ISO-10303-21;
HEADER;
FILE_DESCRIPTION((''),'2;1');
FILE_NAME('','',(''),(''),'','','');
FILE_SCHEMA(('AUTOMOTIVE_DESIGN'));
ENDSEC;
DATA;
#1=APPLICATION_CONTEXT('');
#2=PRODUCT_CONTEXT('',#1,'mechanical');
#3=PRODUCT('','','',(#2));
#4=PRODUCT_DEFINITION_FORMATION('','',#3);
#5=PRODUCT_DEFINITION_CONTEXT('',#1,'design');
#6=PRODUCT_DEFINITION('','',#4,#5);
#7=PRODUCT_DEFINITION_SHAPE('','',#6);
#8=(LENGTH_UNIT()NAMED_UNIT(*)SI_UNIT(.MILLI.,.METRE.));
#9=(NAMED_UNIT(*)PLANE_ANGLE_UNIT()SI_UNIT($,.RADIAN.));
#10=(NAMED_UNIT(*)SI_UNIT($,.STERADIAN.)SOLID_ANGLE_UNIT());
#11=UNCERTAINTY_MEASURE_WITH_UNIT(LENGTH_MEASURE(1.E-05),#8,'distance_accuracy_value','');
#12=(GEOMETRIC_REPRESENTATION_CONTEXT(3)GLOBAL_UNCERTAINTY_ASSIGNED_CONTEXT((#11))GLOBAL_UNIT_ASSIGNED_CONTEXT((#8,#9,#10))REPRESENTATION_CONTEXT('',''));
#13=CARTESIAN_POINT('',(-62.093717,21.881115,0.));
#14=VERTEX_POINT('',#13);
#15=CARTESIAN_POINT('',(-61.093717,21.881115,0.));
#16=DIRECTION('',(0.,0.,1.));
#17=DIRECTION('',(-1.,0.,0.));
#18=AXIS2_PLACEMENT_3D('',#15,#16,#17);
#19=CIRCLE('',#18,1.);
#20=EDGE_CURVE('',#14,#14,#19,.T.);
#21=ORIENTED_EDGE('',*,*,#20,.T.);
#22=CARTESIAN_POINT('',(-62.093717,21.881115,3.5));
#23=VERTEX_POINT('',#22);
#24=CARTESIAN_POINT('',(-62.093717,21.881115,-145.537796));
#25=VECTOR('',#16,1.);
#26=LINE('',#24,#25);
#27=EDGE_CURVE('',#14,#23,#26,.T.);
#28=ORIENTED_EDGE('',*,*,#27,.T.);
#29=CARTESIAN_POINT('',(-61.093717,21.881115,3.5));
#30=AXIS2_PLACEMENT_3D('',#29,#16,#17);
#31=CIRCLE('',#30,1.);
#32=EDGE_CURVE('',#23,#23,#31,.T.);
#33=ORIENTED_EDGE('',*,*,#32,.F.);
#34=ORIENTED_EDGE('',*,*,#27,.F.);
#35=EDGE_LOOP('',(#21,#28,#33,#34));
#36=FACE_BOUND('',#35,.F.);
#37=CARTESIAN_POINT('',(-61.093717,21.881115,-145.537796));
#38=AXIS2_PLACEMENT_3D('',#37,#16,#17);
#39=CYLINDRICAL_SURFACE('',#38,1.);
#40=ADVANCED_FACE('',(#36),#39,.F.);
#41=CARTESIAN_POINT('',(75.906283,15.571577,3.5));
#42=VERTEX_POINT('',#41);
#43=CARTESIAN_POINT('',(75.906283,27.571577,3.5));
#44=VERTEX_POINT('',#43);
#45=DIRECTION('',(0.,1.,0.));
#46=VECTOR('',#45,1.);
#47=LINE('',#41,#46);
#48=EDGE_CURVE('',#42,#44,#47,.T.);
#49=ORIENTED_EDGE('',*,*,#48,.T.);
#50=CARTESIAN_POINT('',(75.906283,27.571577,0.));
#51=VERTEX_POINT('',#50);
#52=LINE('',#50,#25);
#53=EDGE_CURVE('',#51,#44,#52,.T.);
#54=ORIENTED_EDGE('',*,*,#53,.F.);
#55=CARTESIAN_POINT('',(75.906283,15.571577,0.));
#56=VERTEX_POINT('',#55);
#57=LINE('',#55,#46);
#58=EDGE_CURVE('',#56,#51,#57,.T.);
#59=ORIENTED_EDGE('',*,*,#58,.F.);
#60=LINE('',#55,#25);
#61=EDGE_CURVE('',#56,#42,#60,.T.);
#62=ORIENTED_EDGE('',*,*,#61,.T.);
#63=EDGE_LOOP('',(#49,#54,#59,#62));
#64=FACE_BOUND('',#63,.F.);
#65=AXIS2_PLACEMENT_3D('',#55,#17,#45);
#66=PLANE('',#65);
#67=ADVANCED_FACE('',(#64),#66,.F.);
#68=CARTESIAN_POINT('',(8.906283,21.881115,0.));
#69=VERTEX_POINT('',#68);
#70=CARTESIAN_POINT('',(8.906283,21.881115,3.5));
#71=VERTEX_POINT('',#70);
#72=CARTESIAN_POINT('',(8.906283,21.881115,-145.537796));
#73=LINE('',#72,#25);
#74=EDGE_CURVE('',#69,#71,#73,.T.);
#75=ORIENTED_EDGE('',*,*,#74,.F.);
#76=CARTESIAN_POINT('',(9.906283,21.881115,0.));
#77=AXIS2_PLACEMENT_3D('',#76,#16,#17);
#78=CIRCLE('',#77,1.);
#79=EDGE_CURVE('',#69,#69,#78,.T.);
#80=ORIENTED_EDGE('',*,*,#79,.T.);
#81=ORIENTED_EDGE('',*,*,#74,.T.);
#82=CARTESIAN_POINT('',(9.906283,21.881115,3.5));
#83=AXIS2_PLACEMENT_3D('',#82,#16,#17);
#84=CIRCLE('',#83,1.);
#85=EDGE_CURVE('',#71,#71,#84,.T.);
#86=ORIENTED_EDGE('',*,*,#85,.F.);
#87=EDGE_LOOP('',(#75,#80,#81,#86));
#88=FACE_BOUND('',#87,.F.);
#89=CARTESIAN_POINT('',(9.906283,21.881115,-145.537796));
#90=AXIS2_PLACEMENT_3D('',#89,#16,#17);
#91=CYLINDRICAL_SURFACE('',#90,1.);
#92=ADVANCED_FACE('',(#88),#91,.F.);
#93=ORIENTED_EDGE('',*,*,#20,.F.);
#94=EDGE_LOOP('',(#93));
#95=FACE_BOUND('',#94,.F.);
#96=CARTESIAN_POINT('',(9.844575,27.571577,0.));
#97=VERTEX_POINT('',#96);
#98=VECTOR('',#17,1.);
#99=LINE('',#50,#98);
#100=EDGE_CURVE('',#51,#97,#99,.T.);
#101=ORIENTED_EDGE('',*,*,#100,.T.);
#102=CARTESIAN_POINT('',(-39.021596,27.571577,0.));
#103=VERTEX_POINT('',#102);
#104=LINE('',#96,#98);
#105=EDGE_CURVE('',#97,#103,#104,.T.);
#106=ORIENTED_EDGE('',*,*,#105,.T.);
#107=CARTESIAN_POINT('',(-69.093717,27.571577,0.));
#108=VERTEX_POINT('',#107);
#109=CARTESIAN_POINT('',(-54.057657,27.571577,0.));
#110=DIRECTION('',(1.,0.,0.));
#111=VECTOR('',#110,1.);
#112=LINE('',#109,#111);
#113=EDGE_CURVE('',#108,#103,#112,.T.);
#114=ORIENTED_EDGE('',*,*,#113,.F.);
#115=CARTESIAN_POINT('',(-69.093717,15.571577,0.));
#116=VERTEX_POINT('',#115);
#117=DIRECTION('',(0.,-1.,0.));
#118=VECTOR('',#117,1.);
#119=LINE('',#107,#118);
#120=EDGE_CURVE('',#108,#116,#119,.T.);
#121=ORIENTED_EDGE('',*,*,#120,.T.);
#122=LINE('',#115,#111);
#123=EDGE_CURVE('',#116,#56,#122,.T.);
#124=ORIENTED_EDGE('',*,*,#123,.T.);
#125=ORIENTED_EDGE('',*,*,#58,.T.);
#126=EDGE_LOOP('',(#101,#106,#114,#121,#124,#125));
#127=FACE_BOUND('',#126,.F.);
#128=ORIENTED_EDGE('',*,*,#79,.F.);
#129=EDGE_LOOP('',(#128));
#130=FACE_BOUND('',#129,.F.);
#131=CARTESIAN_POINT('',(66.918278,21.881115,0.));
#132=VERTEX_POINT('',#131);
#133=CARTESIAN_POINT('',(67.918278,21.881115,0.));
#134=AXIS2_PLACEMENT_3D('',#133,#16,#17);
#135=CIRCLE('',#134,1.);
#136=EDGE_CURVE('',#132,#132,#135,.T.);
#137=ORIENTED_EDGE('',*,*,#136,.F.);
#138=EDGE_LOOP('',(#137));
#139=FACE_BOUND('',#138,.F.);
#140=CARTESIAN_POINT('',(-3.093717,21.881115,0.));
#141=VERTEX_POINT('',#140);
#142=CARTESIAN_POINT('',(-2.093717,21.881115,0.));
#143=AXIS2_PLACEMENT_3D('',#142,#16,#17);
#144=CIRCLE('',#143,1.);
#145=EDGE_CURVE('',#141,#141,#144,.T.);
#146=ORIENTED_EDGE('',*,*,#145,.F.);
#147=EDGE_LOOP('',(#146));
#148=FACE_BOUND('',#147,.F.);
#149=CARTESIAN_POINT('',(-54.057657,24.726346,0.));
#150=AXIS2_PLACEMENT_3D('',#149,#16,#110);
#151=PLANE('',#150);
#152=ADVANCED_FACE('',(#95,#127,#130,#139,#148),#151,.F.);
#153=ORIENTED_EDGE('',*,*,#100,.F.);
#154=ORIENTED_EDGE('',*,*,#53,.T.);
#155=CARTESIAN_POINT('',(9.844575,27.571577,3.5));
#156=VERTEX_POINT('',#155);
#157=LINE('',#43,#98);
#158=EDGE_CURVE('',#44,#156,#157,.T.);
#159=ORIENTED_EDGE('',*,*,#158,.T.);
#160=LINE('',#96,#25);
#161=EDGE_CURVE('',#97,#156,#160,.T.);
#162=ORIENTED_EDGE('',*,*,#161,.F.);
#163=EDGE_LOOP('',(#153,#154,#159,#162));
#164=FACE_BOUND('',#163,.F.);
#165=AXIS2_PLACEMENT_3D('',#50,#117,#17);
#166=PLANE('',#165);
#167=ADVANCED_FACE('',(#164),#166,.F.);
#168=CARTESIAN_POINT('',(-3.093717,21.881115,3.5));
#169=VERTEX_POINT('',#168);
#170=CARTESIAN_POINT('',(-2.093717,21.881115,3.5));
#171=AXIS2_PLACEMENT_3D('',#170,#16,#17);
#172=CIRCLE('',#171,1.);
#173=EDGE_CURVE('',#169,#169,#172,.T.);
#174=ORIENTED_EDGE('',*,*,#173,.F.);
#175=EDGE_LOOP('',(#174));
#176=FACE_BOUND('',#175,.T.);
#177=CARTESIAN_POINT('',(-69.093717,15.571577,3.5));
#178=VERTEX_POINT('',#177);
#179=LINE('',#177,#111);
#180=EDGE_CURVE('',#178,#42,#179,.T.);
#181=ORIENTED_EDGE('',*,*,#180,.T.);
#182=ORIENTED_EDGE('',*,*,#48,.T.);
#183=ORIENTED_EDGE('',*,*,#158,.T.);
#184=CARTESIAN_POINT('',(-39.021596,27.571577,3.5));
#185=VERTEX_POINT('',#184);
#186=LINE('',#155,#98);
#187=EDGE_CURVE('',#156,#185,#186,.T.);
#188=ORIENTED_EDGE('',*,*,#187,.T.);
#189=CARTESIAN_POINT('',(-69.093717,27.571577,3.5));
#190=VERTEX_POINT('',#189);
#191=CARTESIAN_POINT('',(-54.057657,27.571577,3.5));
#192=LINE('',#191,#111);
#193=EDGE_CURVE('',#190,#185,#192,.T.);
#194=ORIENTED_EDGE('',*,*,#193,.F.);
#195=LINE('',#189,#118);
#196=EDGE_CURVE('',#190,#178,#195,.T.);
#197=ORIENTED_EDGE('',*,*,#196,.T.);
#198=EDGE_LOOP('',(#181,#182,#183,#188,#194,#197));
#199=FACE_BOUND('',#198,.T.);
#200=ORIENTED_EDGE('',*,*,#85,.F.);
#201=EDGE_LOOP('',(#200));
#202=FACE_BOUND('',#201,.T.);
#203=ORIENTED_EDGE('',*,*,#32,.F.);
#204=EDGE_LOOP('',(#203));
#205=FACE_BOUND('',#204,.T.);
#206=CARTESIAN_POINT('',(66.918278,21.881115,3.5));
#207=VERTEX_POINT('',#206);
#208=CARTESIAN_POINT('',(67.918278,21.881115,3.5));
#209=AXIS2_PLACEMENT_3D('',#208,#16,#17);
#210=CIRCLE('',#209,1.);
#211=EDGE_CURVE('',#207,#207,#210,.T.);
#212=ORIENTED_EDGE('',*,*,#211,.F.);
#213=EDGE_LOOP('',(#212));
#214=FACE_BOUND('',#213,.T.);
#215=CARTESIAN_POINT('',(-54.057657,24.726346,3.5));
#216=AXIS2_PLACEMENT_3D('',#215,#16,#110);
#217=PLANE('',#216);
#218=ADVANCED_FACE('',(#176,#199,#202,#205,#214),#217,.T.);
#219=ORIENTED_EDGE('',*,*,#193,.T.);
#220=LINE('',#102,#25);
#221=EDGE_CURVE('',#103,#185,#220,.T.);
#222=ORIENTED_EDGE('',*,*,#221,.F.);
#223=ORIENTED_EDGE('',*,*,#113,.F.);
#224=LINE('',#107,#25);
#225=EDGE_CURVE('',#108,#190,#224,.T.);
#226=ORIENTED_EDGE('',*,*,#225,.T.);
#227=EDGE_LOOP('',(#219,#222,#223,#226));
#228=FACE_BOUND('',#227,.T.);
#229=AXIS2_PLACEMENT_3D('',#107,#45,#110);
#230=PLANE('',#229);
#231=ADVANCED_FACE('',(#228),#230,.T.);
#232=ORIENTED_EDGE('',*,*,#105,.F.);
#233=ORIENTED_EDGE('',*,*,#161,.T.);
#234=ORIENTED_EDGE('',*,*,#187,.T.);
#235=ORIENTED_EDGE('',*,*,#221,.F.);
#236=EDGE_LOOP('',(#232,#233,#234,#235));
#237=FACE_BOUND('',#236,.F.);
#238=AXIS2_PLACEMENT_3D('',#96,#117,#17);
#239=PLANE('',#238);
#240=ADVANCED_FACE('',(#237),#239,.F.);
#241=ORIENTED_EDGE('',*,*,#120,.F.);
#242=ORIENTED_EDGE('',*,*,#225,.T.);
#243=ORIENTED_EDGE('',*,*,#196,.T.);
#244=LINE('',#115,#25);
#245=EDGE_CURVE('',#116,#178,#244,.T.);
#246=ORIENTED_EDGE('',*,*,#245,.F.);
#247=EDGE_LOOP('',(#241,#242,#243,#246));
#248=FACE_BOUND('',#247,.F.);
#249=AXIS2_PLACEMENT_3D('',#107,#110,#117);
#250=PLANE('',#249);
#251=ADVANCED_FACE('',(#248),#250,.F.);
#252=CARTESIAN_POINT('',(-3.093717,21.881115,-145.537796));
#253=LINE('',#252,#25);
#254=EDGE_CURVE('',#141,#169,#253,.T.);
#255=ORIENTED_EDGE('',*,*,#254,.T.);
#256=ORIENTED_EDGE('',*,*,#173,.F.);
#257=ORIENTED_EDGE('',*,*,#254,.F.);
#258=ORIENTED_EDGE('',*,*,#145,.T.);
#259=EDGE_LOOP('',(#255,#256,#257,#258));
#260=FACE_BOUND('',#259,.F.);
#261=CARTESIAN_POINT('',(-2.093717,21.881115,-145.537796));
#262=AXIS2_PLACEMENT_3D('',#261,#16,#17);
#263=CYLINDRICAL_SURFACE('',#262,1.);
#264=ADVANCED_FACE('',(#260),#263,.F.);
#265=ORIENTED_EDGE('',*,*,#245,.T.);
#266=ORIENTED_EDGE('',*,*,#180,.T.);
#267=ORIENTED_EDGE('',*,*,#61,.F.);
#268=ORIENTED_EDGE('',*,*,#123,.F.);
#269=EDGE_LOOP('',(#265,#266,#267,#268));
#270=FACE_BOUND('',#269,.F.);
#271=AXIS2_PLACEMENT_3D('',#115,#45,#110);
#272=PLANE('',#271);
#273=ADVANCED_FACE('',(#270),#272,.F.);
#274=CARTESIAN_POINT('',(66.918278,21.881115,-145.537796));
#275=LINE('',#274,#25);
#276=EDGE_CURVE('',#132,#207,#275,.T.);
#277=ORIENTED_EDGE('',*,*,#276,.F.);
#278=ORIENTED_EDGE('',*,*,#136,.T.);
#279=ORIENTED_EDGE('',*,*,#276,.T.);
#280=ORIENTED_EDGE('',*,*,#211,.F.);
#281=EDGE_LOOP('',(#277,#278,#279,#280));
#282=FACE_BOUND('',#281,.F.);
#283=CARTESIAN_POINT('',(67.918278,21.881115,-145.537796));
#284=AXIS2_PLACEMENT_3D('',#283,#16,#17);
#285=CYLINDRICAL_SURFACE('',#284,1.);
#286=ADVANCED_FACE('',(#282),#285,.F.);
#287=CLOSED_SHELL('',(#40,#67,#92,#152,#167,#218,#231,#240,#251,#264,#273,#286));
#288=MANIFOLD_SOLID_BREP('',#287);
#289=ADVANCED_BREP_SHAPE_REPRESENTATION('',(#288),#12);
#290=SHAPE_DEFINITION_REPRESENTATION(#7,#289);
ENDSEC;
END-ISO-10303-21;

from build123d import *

# Parameters (mm, degrees)
F0_W     = 30.0721211731
F0_H     = 5.6904614212
F1_DEPTH = 3.5
F2_D     = 2


with BuildPart() as f1:
    # F0 (on Top) → F1 (new body)
    with BuildSketch(Plane.XY):
        with Locations((-54.0576568991, 24.7263458325)):
            Rectangle(F0_W, F0_H)
        Polygon((-1.8833033973, 27.5715765432), (-39.0215963125, 27.5715765432), (-39.0215963125, 21.8811151219), (-39.0215963125, 15.5715765432), (-23.1951605529, 15.5715765432), (-15.0937174857, 15.5715765432), (-1.8833033973, 15.5715765432), (-1.8833033973, 21.8811151219), align=None)
        Polygon((-39.0215963125, 21.8811151219), (-69.0937174857, 21.8811151219), (-69.0937174857, 15.5715765432), (-54.0937174857, 15.5715765432), (-46.0937174857, 15.5715765432), (-39.0215963125, 15.5715765432), align=None)
        Polygon((9.8445750773, 27.5715765432), (-1.8833033973, 27.5715765432), (-1.8833033973, 21.8811151219), (9.8738370598, 21.8811151219), align=None)
        Polygon((59.9302730291, 27.5715765432), (9.8445750773, 27.5715765432), (9.8738370598, 21.8811151219), (9.9062825143, 15.5715765432), (21.8975301832, 15.5715765432), (29.9062825143, 15.5715765432), (52.8784766793, 15.5715765432), (59.9302730291, 15.5715765432), (59.9302730291, 21.8811151219), align=None)
        Polygon((9.8738370598, 21.8811151219), (-1.8833033973, 21.8811151219), (-1.8833033973, 15.5715765432), (9.9062825143, 15.5715765432), align=None)
        Polygon((72.6376026869, 27.5715765432), (59.9302730291, 27.5715765432), (59.9302730291, 21.8811151219), (72.7650120363, 21.8811151219), align=None)
        Polygon((75.9062825143, 27.5715765432), (72.6376026869, 27.5715765432), (72.7650120363, 21.8811151219), (75.9062825143, 21.8811151219), align=None)
        Polygon((72.7650120363, 21.8811151219), (59.9302730291, 21.8811151219), (59.9302730291, 15.5715765432), (60.9062825143, 15.5715765432), (72.9062825143, 15.5715765432), align=None)
        Polygon((75.9062825143, 21.8811151219), (72.7650120363, 21.8811151219), (72.9062825143, 15.5715765432), (75.9062825143, 15.5715765432), align=None)
    extrude(amount=F1_DEPTH)

    # F2 (through all)
    with Locations(Plane(origin=(0, 0, 0), x_dir=(1, 0, 0), z_dir=(0, 0, -1))):
        with Locations((-61.0937174857, -21.8811151219), (67.9182777717, -21.8811151219), (-2.0937174857, -21.8811151219), (9.9062825143, -21.8811151219)):
            Hole(F2_D / 2)


solid = f1.part
